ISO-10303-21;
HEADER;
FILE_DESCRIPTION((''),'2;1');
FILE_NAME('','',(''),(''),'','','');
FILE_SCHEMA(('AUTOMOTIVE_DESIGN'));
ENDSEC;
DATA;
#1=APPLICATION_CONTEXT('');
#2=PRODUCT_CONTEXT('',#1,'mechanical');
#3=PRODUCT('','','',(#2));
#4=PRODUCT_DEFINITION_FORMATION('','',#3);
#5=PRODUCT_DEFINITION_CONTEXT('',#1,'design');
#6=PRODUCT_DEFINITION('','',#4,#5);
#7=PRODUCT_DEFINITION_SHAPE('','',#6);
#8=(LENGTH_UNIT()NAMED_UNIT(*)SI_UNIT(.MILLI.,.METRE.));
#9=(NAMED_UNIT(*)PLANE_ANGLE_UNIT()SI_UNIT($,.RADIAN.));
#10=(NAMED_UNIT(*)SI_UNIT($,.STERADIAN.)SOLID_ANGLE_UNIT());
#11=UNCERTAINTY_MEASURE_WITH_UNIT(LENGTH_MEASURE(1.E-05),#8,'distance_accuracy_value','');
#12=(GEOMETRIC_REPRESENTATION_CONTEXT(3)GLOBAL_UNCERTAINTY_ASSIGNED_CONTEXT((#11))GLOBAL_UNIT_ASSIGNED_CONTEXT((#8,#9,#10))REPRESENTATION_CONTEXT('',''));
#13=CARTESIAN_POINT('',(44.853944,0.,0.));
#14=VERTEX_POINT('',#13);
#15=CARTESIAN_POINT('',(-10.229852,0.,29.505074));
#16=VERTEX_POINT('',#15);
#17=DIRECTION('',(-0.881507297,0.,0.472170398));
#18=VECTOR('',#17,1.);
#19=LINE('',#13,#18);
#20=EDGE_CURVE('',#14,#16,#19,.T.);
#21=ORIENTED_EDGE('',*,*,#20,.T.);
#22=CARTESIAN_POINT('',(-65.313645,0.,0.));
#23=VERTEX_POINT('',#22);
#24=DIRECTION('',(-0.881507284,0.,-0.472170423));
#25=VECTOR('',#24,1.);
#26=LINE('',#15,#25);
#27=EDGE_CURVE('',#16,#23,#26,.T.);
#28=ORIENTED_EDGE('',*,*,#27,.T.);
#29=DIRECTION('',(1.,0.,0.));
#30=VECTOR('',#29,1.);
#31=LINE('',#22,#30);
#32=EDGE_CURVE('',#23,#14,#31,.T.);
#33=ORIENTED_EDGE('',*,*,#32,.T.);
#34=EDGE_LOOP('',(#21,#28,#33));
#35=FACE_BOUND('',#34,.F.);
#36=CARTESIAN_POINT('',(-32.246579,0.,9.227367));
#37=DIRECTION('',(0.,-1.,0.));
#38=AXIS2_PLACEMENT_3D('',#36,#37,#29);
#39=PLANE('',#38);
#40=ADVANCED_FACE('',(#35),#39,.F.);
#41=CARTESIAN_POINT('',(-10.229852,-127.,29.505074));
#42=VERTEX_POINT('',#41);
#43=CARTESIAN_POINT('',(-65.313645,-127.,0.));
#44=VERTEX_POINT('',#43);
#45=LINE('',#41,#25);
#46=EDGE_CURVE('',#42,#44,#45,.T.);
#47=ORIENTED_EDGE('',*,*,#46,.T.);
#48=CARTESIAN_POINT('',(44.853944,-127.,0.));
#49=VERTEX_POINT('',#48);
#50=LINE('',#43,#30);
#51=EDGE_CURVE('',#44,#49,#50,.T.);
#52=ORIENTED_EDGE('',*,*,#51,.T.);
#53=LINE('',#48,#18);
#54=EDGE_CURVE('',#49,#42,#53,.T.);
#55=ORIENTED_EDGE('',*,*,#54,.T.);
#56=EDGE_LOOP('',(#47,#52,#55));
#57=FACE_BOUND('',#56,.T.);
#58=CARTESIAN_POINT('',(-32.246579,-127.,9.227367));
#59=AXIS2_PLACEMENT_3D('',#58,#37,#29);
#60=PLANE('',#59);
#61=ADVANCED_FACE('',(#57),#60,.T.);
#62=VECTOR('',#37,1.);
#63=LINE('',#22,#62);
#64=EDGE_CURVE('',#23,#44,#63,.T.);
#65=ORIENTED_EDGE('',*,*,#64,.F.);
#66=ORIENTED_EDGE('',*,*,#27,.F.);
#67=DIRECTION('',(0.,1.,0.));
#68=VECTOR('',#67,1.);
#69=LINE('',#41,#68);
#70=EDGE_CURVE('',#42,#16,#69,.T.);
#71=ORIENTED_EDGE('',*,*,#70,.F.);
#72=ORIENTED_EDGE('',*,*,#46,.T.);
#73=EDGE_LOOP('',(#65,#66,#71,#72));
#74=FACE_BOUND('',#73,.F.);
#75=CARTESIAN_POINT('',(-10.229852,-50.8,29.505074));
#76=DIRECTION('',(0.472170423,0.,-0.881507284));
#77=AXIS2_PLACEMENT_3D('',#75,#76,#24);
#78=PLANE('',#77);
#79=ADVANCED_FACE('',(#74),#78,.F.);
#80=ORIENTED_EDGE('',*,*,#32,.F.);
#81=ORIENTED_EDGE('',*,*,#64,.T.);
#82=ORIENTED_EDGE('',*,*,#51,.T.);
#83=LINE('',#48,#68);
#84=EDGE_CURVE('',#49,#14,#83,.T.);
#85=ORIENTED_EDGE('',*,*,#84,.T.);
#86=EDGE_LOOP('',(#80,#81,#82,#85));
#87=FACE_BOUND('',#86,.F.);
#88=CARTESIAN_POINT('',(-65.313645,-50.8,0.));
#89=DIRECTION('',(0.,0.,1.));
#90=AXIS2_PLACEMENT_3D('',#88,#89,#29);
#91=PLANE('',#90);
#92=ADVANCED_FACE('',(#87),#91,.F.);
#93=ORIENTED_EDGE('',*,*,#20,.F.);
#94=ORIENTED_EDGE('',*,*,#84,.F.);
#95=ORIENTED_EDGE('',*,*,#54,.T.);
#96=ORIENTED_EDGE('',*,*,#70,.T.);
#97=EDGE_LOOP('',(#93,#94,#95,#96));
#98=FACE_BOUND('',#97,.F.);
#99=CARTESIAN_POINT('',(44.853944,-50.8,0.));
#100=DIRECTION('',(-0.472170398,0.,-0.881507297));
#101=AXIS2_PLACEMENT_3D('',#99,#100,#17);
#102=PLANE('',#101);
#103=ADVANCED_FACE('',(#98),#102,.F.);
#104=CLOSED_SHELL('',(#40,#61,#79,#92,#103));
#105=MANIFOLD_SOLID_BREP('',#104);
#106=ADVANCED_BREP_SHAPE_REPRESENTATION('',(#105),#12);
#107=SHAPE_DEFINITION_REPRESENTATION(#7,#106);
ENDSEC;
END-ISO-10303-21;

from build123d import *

# Parameters (mm, degrees)
F1_DEPTH = 25.4
F2_DEPTH = 25.4
F3_DEPTH = 76.2


with BuildPart() as f1:
    # F0 (on Front) → F1 (new body)
    with BuildSketch(Plane.XZ):
        Polygon((-10.2298520505, 29.5050740242), (-65.3136447072, 0), (-10.2298520505, 0), align=None)
        Polygon((-10.2298520505, 29.5050740242), (-10.2298520505, 0), (44.8539443314, 0), align=None)
    extrude(amount=F1_DEPTH)

    # F2 (add): a face of the model
    f2_faces = [f1.faces().sort_by_distance(p)[0] for p in [
        (-10.2298508088, -25.4, 9.8350246747),
    ]]
    extrude(f2_faces, amount=F2_DEPTH)

    # F3 (add): a face of the model
    f3_faces = [f1.faces().sort_by_distance(p)[0] for p in [
        (-10.2298508088, -50.8, 9.8350246747),
    ]]
    extrude(f3_faces, amount=F3_DEPTH)


solid = f1.part
